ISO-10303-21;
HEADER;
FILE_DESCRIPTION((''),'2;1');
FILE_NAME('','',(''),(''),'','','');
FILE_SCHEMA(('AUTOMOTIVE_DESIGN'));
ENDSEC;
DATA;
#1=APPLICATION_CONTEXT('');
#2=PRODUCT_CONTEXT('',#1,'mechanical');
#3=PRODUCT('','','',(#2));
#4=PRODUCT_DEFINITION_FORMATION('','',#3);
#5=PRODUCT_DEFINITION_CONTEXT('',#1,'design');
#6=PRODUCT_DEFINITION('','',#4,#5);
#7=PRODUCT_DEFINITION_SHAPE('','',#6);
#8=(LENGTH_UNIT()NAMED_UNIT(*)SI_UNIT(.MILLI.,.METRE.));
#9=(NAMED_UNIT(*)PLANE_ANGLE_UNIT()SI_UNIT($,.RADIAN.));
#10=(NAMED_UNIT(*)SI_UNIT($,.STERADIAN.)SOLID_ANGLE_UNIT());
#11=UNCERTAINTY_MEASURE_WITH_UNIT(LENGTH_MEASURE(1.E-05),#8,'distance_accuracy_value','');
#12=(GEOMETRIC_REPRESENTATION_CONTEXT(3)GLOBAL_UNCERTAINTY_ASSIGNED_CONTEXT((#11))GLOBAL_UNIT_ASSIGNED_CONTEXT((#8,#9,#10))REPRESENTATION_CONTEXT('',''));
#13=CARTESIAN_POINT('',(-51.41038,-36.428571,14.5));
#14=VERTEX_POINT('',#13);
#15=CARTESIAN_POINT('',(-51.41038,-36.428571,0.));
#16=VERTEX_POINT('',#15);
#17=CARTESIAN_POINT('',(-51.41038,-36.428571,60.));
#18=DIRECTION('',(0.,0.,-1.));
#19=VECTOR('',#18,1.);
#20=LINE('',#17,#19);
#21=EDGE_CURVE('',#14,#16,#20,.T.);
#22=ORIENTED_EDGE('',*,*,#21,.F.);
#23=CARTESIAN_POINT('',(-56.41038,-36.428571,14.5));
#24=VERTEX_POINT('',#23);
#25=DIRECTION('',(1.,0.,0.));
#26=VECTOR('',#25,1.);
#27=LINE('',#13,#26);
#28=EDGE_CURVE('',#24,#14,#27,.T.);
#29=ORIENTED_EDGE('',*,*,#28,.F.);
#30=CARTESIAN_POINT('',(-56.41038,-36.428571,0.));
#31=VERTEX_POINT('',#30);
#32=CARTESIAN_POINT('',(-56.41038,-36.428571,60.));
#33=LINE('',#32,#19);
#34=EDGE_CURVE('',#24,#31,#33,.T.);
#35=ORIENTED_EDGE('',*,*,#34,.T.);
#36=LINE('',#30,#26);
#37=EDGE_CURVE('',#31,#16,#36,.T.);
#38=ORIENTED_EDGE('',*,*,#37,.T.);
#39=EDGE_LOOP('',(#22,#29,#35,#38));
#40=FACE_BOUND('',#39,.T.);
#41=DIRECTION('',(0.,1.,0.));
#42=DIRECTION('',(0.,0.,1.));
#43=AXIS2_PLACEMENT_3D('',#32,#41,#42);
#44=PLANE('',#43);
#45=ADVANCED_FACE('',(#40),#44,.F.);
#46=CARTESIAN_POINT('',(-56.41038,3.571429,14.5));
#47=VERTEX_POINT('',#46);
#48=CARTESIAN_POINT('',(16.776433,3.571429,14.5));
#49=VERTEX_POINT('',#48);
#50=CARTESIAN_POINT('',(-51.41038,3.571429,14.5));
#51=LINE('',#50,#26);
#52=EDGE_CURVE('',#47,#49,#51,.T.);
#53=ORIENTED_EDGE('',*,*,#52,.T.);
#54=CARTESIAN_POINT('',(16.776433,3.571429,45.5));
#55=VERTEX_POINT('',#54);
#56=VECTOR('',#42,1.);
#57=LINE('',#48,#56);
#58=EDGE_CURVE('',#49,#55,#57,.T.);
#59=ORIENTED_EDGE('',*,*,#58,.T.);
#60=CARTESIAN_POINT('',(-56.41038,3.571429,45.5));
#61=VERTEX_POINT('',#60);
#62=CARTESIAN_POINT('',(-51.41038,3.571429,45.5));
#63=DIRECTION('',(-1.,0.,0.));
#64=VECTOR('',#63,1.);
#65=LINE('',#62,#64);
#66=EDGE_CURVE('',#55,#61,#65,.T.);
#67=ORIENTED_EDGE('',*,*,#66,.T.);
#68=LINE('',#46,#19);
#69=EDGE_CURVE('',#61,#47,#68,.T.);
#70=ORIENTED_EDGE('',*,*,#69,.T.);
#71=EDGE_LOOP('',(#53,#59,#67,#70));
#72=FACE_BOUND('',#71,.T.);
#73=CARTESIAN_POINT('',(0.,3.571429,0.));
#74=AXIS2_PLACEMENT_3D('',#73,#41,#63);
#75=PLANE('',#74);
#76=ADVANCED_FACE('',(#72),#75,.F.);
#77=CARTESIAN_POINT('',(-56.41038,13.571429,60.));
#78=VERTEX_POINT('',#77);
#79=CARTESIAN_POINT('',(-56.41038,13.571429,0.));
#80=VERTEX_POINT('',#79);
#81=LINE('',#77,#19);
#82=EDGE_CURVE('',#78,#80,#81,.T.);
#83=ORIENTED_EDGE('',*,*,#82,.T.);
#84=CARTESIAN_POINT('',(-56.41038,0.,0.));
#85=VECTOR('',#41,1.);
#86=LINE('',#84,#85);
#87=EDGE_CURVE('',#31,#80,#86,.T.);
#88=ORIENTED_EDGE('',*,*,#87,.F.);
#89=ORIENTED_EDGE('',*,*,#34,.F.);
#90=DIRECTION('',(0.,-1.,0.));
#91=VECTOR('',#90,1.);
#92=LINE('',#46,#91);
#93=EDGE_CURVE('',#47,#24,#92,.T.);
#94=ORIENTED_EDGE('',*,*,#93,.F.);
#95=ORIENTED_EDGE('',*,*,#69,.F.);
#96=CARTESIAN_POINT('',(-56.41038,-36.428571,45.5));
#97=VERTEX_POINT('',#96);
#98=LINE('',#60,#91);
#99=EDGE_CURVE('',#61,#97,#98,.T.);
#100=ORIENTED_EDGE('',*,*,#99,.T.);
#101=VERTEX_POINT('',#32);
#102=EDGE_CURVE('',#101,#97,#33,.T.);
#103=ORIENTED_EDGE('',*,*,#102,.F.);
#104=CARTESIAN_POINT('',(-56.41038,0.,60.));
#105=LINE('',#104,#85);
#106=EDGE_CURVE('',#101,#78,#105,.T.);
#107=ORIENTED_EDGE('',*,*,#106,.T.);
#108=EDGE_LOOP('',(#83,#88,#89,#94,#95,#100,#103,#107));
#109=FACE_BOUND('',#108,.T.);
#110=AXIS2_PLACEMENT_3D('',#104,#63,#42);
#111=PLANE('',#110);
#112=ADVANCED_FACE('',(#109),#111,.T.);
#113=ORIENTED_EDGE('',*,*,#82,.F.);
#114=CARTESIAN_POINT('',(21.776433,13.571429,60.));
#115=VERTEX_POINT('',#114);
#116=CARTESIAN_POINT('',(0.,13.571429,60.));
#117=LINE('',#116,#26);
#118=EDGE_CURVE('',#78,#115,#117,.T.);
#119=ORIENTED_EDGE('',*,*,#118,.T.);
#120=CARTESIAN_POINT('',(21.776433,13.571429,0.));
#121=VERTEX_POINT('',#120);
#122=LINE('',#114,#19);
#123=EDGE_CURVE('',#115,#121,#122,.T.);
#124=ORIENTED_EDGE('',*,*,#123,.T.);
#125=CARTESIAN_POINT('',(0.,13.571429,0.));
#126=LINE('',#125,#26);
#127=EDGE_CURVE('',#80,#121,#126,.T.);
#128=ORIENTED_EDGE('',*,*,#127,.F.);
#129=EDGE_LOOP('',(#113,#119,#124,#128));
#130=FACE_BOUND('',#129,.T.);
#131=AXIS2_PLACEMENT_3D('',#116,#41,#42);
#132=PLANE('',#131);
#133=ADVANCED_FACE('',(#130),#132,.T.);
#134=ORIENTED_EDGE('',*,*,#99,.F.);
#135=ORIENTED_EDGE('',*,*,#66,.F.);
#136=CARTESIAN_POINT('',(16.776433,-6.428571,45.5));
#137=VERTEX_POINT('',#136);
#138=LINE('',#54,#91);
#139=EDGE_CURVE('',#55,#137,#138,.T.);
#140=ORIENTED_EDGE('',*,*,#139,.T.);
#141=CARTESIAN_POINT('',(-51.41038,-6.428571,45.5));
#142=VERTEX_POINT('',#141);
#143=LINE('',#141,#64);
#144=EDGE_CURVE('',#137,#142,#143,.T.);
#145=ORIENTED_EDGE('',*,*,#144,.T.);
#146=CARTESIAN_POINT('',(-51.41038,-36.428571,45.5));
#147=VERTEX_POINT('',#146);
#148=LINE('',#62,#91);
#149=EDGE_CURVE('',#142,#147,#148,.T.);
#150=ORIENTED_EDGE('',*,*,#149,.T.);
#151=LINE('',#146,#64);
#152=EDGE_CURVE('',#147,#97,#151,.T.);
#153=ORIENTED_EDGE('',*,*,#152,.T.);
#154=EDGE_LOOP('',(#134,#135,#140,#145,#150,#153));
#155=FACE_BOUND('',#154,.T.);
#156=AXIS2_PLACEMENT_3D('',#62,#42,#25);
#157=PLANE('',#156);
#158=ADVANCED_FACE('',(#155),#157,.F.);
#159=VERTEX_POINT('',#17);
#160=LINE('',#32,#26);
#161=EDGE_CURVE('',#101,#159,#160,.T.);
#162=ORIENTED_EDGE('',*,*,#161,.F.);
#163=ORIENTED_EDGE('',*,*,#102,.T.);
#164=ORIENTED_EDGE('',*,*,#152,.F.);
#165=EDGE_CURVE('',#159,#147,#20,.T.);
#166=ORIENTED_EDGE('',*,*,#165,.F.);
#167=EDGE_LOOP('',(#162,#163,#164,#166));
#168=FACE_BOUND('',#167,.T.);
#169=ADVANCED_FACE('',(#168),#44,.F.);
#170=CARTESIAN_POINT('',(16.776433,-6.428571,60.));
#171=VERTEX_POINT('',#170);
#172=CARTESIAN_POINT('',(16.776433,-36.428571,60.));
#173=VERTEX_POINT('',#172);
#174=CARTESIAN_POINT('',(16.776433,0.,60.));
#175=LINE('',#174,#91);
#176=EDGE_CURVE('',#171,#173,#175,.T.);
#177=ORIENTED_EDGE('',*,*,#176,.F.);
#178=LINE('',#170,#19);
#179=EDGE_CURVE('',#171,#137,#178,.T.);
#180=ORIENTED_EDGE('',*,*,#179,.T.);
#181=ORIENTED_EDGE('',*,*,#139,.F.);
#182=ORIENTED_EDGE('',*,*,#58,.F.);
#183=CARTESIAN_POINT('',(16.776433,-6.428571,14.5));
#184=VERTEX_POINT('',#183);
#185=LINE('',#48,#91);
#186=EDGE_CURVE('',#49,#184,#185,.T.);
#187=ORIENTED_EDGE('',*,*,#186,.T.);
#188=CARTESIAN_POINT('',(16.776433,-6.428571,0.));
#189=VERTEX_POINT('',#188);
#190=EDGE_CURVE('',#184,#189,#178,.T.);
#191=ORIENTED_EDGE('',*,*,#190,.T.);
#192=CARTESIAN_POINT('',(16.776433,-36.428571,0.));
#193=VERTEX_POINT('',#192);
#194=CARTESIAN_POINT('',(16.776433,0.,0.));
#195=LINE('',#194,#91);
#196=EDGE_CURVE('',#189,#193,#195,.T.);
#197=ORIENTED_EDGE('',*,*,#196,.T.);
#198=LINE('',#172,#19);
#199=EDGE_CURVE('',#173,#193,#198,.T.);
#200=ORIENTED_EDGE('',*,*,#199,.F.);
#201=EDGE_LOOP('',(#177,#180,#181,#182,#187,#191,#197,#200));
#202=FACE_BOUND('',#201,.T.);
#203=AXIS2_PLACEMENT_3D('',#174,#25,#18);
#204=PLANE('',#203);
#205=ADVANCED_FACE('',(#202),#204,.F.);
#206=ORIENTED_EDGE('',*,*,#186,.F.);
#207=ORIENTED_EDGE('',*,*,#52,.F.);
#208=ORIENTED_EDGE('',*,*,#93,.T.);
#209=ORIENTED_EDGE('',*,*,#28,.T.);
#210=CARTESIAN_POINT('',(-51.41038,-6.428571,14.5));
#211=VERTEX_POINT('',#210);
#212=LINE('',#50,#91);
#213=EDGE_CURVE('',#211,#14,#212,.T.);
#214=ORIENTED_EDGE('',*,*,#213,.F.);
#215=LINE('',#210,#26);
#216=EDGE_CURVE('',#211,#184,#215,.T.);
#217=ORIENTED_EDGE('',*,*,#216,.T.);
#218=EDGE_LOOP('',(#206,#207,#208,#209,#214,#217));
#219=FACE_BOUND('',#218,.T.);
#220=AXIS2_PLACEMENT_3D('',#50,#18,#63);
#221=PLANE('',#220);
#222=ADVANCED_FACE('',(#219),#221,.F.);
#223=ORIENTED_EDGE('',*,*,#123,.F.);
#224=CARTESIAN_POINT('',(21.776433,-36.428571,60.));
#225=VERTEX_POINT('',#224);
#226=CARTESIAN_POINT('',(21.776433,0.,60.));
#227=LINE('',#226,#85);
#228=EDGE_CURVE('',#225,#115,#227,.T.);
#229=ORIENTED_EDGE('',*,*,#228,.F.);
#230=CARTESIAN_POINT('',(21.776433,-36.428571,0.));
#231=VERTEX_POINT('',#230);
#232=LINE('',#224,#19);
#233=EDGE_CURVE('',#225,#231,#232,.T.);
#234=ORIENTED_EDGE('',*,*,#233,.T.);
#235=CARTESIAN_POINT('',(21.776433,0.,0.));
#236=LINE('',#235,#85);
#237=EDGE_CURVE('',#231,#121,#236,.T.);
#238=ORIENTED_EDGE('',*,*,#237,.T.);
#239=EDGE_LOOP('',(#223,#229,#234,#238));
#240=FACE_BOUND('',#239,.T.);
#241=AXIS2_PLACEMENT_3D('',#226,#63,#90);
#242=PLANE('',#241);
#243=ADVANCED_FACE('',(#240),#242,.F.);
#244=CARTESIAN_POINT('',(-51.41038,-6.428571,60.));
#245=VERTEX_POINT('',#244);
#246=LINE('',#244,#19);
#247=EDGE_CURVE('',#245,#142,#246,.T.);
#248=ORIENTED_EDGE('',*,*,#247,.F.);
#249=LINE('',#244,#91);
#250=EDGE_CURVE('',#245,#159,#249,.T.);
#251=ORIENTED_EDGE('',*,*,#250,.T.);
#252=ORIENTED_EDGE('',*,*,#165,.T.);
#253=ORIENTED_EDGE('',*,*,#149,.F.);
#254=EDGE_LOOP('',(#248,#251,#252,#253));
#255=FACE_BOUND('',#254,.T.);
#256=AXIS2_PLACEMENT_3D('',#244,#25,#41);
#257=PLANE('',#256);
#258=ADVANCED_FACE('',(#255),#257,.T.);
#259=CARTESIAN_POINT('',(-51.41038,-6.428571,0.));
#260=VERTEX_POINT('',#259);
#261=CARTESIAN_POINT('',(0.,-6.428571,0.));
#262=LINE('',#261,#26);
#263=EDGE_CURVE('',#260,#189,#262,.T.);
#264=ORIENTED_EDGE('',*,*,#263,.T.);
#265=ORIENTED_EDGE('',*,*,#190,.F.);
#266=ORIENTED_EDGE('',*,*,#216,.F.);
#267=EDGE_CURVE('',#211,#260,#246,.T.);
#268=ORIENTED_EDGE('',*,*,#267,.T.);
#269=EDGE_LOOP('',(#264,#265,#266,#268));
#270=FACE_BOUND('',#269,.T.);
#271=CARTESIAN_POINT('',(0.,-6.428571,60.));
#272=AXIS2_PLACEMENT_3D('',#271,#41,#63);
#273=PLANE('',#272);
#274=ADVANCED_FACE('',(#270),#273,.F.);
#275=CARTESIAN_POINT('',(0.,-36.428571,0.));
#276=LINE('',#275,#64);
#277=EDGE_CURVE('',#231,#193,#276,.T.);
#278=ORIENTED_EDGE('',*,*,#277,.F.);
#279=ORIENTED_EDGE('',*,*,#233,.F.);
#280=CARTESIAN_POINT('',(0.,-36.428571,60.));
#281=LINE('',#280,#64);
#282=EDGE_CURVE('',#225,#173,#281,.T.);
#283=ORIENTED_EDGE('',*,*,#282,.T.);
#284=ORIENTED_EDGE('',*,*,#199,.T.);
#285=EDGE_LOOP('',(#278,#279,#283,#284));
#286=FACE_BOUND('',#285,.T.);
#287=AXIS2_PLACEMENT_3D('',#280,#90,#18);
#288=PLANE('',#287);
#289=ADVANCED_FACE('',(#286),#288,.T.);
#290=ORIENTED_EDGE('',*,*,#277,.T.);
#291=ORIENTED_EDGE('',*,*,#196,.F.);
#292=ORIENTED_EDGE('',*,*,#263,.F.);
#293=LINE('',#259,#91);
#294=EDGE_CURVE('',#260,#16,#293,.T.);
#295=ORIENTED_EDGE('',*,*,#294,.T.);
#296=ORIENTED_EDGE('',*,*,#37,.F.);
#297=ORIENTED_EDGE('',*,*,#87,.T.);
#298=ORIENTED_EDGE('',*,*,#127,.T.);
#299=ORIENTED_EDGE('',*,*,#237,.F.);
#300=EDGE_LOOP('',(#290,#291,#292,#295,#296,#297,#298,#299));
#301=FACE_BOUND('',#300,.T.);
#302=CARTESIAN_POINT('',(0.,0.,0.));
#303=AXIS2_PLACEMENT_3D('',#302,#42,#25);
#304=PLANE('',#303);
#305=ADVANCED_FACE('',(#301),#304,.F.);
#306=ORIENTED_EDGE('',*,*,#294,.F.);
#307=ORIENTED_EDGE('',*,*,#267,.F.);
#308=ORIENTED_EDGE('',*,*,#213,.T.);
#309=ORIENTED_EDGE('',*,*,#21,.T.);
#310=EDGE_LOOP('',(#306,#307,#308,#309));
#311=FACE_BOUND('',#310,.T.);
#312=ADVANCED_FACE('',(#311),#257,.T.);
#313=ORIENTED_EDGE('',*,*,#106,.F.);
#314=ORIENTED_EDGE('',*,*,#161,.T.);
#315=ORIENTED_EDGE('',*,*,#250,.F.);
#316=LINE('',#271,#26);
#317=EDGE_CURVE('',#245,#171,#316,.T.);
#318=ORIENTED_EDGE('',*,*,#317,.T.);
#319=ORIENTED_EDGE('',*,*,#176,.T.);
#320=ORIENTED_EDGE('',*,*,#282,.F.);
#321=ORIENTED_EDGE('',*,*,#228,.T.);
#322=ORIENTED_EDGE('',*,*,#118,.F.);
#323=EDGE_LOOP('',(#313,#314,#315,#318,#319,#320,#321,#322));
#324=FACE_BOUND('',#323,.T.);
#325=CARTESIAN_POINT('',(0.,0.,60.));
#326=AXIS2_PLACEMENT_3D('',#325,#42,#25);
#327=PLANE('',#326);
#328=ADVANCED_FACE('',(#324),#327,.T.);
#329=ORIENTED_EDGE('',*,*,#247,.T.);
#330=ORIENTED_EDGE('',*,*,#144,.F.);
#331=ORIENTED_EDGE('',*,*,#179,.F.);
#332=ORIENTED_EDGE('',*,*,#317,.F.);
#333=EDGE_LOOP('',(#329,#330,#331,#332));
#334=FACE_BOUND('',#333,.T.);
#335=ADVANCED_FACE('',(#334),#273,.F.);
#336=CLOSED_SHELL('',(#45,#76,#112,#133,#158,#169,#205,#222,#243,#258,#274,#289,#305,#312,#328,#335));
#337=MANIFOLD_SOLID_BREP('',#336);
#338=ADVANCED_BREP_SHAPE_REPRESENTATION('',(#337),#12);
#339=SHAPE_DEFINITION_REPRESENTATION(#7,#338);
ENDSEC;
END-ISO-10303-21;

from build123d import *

# Parameters (mm, degrees)
SKETCH_1_W          = 5
SKETCH_1_H          = 30
EXTRUDE_1_DEPTH     = 60
SKETCH_2_W          = 68.186813186
SKETCH_2_H          = 31
CUT_EXTRUDE_1_DEPTH = 10
SKETCH_3_W          = 5
SKETCH_3_H          = 31
CUT_EXTRUDE_3_DEPTH = 40


with BuildPart() as part:
    # 草圖1 → 填料-伸長1 (new body)
    with BuildSketch(Plane.XY):
        Polygon((-56.41038016, 13.571428571), (-56.41038016, -6.428571429), (-51.41038016, -6.428571429), (16.776433026, -6.428571429), (21.776433026, -6.428571429), (21.776433026, 13.571428571), align=None)
        with Locations((-53.91038016, -21.428571429)):
            Rectangle(SKETCH_1_W, SKETCH_1_H)
        with Locations((19.276433026, -21.428571429)):
            Rectangle(SKETCH_1_W, SKETCH_1_H)
    extrude(amount=EXTRUDE_1_DEPTH)

    # 草圖2 → 除料-伸長1 (cut)
    with BuildSketch(Plane.XZ.offset(6.428571429)):
        with Locations((-17.316973567, 30)):
            Rectangle(SKETCH_2_W, SKETCH_2_H)
    extrude(amount=-CUT_EXTRUDE_1_DEPTH, mode=Mode.SUBTRACT)

    # 草圖3 → 除料-伸長3 (cut)
    with BuildSketch(Plane.XZ.offset(36.428571429)):
        with Locations((-53.91038016, 30)):
            Rectangle(SKETCH_3_W, SKETCH_3_H)
    extrude(amount=-CUT_EXTRUDE_3_DEPTH, mode=Mode.SUBTRACT)


solid = part.part
